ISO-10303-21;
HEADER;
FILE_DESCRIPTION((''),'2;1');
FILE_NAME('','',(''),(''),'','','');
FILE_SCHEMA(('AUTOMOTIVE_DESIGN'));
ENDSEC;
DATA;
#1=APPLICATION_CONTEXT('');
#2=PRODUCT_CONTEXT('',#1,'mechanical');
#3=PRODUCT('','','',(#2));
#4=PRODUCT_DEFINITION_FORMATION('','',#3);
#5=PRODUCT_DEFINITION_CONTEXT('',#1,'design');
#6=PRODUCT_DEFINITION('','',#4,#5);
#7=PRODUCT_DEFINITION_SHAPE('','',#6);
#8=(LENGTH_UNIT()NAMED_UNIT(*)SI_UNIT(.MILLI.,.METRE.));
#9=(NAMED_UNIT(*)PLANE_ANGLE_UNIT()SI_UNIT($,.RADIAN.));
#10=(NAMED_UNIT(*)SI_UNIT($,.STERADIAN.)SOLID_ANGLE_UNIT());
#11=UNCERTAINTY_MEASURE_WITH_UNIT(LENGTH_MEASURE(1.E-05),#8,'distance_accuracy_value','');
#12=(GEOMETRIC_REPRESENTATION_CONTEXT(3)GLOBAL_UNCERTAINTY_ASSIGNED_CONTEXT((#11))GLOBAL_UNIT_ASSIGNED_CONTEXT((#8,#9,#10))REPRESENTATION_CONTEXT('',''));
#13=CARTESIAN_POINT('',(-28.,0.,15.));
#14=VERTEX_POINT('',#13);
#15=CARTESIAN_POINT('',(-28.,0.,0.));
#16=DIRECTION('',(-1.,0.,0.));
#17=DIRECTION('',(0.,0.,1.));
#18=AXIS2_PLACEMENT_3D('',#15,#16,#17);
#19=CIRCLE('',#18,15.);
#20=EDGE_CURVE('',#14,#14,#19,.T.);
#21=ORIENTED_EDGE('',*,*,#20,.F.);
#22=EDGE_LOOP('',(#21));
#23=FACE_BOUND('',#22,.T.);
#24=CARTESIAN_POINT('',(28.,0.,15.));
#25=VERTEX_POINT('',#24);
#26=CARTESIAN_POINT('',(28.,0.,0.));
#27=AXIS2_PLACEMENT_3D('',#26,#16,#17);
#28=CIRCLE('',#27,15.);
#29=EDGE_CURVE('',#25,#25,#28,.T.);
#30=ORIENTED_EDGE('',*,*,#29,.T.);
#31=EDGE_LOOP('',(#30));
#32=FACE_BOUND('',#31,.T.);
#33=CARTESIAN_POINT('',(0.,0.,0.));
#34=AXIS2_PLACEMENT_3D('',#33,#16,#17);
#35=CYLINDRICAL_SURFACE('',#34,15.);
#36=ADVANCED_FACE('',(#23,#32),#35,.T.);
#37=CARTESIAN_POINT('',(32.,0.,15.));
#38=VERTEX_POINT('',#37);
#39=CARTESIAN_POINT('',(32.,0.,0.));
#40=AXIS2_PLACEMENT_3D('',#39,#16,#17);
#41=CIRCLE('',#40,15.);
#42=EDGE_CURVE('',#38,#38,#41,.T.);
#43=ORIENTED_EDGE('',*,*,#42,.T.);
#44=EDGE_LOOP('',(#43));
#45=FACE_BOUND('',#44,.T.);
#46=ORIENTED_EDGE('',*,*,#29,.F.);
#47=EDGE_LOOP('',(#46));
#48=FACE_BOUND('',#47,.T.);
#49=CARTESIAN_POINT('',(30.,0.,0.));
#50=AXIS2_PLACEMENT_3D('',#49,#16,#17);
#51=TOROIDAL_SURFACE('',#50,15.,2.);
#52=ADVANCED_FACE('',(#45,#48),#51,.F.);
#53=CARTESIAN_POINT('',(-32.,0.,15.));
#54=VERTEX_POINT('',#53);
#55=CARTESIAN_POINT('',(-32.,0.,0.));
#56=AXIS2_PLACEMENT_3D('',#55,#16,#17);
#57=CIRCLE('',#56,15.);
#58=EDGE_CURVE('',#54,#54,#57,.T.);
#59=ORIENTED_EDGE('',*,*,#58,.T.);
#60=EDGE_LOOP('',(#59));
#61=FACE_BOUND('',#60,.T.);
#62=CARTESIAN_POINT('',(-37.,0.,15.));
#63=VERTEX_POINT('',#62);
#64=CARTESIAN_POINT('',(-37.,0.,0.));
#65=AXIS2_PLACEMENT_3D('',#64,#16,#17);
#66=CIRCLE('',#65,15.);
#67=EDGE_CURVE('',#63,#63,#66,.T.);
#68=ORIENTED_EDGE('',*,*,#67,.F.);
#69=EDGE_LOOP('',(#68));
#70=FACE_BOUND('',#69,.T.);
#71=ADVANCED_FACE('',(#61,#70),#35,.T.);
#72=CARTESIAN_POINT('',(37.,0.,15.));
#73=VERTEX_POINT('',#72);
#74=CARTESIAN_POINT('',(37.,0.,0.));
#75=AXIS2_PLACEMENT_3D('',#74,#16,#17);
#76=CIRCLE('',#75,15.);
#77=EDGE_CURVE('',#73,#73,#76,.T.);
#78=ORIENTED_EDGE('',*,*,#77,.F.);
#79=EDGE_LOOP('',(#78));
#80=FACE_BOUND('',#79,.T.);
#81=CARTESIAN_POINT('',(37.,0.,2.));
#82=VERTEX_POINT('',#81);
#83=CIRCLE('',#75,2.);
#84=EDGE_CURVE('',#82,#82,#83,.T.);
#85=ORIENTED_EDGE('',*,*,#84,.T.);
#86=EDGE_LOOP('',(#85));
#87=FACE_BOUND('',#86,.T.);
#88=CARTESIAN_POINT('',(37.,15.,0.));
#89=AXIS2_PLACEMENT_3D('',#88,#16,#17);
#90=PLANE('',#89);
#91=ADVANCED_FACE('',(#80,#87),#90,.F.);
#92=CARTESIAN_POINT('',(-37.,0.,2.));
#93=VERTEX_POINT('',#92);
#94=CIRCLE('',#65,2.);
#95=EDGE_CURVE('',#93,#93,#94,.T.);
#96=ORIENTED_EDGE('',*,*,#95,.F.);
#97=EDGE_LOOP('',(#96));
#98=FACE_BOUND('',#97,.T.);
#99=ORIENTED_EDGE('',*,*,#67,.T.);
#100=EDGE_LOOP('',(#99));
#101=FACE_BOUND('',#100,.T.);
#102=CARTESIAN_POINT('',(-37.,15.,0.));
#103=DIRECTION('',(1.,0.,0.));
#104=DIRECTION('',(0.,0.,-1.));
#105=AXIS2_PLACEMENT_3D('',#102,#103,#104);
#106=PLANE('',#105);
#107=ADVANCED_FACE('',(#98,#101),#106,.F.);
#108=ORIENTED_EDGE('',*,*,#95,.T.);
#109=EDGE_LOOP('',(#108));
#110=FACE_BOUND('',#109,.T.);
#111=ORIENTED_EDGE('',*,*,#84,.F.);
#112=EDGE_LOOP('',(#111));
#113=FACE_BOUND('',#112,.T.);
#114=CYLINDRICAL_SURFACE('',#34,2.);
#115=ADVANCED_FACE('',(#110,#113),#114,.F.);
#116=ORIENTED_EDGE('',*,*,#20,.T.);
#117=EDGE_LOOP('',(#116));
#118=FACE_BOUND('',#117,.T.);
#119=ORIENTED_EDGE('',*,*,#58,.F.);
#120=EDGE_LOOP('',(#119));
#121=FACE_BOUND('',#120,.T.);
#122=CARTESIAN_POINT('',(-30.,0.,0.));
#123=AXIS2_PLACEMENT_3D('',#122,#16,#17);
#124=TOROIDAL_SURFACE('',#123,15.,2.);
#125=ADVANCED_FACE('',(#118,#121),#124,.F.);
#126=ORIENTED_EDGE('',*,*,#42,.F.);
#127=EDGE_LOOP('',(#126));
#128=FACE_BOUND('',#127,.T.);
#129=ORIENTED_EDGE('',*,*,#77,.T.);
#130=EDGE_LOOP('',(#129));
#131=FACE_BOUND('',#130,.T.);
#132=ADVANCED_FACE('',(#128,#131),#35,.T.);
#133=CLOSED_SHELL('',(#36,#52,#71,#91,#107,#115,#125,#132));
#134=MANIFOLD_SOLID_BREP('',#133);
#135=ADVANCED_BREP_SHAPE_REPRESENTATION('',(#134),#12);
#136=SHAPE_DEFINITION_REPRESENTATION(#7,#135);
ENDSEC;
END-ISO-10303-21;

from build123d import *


with BuildPart() as part:
    # 草图1 → 旋转2 (revolve)
    with BuildSketch(Plane.XY, mode=Mode.PRIVATE) as revolve_2_sk:
        with BuildLine():
            Line((-32, 15), (-37, 15))
            Line((-37, 15), (-37, 2))
            Line((-37, 2), (37, 2))
            Line((37, 2), (37, 15))
            Line((37, 15), (32, 15))
            ThreePointArc((32, 15), (30, 13), (28, 15))
            Line((28, 15), (-28, 15))
            ThreePointArc((-28, 15), (-30, 13), (-32, 15))
        make_face()
    revolve(revolve_2_sk.sketch.rotate(Axis((0, 0, 0), (1, 0, 0)), 90), axis=Axis((0, 0, 0), (1, 0, 0)))


solid = part.part
